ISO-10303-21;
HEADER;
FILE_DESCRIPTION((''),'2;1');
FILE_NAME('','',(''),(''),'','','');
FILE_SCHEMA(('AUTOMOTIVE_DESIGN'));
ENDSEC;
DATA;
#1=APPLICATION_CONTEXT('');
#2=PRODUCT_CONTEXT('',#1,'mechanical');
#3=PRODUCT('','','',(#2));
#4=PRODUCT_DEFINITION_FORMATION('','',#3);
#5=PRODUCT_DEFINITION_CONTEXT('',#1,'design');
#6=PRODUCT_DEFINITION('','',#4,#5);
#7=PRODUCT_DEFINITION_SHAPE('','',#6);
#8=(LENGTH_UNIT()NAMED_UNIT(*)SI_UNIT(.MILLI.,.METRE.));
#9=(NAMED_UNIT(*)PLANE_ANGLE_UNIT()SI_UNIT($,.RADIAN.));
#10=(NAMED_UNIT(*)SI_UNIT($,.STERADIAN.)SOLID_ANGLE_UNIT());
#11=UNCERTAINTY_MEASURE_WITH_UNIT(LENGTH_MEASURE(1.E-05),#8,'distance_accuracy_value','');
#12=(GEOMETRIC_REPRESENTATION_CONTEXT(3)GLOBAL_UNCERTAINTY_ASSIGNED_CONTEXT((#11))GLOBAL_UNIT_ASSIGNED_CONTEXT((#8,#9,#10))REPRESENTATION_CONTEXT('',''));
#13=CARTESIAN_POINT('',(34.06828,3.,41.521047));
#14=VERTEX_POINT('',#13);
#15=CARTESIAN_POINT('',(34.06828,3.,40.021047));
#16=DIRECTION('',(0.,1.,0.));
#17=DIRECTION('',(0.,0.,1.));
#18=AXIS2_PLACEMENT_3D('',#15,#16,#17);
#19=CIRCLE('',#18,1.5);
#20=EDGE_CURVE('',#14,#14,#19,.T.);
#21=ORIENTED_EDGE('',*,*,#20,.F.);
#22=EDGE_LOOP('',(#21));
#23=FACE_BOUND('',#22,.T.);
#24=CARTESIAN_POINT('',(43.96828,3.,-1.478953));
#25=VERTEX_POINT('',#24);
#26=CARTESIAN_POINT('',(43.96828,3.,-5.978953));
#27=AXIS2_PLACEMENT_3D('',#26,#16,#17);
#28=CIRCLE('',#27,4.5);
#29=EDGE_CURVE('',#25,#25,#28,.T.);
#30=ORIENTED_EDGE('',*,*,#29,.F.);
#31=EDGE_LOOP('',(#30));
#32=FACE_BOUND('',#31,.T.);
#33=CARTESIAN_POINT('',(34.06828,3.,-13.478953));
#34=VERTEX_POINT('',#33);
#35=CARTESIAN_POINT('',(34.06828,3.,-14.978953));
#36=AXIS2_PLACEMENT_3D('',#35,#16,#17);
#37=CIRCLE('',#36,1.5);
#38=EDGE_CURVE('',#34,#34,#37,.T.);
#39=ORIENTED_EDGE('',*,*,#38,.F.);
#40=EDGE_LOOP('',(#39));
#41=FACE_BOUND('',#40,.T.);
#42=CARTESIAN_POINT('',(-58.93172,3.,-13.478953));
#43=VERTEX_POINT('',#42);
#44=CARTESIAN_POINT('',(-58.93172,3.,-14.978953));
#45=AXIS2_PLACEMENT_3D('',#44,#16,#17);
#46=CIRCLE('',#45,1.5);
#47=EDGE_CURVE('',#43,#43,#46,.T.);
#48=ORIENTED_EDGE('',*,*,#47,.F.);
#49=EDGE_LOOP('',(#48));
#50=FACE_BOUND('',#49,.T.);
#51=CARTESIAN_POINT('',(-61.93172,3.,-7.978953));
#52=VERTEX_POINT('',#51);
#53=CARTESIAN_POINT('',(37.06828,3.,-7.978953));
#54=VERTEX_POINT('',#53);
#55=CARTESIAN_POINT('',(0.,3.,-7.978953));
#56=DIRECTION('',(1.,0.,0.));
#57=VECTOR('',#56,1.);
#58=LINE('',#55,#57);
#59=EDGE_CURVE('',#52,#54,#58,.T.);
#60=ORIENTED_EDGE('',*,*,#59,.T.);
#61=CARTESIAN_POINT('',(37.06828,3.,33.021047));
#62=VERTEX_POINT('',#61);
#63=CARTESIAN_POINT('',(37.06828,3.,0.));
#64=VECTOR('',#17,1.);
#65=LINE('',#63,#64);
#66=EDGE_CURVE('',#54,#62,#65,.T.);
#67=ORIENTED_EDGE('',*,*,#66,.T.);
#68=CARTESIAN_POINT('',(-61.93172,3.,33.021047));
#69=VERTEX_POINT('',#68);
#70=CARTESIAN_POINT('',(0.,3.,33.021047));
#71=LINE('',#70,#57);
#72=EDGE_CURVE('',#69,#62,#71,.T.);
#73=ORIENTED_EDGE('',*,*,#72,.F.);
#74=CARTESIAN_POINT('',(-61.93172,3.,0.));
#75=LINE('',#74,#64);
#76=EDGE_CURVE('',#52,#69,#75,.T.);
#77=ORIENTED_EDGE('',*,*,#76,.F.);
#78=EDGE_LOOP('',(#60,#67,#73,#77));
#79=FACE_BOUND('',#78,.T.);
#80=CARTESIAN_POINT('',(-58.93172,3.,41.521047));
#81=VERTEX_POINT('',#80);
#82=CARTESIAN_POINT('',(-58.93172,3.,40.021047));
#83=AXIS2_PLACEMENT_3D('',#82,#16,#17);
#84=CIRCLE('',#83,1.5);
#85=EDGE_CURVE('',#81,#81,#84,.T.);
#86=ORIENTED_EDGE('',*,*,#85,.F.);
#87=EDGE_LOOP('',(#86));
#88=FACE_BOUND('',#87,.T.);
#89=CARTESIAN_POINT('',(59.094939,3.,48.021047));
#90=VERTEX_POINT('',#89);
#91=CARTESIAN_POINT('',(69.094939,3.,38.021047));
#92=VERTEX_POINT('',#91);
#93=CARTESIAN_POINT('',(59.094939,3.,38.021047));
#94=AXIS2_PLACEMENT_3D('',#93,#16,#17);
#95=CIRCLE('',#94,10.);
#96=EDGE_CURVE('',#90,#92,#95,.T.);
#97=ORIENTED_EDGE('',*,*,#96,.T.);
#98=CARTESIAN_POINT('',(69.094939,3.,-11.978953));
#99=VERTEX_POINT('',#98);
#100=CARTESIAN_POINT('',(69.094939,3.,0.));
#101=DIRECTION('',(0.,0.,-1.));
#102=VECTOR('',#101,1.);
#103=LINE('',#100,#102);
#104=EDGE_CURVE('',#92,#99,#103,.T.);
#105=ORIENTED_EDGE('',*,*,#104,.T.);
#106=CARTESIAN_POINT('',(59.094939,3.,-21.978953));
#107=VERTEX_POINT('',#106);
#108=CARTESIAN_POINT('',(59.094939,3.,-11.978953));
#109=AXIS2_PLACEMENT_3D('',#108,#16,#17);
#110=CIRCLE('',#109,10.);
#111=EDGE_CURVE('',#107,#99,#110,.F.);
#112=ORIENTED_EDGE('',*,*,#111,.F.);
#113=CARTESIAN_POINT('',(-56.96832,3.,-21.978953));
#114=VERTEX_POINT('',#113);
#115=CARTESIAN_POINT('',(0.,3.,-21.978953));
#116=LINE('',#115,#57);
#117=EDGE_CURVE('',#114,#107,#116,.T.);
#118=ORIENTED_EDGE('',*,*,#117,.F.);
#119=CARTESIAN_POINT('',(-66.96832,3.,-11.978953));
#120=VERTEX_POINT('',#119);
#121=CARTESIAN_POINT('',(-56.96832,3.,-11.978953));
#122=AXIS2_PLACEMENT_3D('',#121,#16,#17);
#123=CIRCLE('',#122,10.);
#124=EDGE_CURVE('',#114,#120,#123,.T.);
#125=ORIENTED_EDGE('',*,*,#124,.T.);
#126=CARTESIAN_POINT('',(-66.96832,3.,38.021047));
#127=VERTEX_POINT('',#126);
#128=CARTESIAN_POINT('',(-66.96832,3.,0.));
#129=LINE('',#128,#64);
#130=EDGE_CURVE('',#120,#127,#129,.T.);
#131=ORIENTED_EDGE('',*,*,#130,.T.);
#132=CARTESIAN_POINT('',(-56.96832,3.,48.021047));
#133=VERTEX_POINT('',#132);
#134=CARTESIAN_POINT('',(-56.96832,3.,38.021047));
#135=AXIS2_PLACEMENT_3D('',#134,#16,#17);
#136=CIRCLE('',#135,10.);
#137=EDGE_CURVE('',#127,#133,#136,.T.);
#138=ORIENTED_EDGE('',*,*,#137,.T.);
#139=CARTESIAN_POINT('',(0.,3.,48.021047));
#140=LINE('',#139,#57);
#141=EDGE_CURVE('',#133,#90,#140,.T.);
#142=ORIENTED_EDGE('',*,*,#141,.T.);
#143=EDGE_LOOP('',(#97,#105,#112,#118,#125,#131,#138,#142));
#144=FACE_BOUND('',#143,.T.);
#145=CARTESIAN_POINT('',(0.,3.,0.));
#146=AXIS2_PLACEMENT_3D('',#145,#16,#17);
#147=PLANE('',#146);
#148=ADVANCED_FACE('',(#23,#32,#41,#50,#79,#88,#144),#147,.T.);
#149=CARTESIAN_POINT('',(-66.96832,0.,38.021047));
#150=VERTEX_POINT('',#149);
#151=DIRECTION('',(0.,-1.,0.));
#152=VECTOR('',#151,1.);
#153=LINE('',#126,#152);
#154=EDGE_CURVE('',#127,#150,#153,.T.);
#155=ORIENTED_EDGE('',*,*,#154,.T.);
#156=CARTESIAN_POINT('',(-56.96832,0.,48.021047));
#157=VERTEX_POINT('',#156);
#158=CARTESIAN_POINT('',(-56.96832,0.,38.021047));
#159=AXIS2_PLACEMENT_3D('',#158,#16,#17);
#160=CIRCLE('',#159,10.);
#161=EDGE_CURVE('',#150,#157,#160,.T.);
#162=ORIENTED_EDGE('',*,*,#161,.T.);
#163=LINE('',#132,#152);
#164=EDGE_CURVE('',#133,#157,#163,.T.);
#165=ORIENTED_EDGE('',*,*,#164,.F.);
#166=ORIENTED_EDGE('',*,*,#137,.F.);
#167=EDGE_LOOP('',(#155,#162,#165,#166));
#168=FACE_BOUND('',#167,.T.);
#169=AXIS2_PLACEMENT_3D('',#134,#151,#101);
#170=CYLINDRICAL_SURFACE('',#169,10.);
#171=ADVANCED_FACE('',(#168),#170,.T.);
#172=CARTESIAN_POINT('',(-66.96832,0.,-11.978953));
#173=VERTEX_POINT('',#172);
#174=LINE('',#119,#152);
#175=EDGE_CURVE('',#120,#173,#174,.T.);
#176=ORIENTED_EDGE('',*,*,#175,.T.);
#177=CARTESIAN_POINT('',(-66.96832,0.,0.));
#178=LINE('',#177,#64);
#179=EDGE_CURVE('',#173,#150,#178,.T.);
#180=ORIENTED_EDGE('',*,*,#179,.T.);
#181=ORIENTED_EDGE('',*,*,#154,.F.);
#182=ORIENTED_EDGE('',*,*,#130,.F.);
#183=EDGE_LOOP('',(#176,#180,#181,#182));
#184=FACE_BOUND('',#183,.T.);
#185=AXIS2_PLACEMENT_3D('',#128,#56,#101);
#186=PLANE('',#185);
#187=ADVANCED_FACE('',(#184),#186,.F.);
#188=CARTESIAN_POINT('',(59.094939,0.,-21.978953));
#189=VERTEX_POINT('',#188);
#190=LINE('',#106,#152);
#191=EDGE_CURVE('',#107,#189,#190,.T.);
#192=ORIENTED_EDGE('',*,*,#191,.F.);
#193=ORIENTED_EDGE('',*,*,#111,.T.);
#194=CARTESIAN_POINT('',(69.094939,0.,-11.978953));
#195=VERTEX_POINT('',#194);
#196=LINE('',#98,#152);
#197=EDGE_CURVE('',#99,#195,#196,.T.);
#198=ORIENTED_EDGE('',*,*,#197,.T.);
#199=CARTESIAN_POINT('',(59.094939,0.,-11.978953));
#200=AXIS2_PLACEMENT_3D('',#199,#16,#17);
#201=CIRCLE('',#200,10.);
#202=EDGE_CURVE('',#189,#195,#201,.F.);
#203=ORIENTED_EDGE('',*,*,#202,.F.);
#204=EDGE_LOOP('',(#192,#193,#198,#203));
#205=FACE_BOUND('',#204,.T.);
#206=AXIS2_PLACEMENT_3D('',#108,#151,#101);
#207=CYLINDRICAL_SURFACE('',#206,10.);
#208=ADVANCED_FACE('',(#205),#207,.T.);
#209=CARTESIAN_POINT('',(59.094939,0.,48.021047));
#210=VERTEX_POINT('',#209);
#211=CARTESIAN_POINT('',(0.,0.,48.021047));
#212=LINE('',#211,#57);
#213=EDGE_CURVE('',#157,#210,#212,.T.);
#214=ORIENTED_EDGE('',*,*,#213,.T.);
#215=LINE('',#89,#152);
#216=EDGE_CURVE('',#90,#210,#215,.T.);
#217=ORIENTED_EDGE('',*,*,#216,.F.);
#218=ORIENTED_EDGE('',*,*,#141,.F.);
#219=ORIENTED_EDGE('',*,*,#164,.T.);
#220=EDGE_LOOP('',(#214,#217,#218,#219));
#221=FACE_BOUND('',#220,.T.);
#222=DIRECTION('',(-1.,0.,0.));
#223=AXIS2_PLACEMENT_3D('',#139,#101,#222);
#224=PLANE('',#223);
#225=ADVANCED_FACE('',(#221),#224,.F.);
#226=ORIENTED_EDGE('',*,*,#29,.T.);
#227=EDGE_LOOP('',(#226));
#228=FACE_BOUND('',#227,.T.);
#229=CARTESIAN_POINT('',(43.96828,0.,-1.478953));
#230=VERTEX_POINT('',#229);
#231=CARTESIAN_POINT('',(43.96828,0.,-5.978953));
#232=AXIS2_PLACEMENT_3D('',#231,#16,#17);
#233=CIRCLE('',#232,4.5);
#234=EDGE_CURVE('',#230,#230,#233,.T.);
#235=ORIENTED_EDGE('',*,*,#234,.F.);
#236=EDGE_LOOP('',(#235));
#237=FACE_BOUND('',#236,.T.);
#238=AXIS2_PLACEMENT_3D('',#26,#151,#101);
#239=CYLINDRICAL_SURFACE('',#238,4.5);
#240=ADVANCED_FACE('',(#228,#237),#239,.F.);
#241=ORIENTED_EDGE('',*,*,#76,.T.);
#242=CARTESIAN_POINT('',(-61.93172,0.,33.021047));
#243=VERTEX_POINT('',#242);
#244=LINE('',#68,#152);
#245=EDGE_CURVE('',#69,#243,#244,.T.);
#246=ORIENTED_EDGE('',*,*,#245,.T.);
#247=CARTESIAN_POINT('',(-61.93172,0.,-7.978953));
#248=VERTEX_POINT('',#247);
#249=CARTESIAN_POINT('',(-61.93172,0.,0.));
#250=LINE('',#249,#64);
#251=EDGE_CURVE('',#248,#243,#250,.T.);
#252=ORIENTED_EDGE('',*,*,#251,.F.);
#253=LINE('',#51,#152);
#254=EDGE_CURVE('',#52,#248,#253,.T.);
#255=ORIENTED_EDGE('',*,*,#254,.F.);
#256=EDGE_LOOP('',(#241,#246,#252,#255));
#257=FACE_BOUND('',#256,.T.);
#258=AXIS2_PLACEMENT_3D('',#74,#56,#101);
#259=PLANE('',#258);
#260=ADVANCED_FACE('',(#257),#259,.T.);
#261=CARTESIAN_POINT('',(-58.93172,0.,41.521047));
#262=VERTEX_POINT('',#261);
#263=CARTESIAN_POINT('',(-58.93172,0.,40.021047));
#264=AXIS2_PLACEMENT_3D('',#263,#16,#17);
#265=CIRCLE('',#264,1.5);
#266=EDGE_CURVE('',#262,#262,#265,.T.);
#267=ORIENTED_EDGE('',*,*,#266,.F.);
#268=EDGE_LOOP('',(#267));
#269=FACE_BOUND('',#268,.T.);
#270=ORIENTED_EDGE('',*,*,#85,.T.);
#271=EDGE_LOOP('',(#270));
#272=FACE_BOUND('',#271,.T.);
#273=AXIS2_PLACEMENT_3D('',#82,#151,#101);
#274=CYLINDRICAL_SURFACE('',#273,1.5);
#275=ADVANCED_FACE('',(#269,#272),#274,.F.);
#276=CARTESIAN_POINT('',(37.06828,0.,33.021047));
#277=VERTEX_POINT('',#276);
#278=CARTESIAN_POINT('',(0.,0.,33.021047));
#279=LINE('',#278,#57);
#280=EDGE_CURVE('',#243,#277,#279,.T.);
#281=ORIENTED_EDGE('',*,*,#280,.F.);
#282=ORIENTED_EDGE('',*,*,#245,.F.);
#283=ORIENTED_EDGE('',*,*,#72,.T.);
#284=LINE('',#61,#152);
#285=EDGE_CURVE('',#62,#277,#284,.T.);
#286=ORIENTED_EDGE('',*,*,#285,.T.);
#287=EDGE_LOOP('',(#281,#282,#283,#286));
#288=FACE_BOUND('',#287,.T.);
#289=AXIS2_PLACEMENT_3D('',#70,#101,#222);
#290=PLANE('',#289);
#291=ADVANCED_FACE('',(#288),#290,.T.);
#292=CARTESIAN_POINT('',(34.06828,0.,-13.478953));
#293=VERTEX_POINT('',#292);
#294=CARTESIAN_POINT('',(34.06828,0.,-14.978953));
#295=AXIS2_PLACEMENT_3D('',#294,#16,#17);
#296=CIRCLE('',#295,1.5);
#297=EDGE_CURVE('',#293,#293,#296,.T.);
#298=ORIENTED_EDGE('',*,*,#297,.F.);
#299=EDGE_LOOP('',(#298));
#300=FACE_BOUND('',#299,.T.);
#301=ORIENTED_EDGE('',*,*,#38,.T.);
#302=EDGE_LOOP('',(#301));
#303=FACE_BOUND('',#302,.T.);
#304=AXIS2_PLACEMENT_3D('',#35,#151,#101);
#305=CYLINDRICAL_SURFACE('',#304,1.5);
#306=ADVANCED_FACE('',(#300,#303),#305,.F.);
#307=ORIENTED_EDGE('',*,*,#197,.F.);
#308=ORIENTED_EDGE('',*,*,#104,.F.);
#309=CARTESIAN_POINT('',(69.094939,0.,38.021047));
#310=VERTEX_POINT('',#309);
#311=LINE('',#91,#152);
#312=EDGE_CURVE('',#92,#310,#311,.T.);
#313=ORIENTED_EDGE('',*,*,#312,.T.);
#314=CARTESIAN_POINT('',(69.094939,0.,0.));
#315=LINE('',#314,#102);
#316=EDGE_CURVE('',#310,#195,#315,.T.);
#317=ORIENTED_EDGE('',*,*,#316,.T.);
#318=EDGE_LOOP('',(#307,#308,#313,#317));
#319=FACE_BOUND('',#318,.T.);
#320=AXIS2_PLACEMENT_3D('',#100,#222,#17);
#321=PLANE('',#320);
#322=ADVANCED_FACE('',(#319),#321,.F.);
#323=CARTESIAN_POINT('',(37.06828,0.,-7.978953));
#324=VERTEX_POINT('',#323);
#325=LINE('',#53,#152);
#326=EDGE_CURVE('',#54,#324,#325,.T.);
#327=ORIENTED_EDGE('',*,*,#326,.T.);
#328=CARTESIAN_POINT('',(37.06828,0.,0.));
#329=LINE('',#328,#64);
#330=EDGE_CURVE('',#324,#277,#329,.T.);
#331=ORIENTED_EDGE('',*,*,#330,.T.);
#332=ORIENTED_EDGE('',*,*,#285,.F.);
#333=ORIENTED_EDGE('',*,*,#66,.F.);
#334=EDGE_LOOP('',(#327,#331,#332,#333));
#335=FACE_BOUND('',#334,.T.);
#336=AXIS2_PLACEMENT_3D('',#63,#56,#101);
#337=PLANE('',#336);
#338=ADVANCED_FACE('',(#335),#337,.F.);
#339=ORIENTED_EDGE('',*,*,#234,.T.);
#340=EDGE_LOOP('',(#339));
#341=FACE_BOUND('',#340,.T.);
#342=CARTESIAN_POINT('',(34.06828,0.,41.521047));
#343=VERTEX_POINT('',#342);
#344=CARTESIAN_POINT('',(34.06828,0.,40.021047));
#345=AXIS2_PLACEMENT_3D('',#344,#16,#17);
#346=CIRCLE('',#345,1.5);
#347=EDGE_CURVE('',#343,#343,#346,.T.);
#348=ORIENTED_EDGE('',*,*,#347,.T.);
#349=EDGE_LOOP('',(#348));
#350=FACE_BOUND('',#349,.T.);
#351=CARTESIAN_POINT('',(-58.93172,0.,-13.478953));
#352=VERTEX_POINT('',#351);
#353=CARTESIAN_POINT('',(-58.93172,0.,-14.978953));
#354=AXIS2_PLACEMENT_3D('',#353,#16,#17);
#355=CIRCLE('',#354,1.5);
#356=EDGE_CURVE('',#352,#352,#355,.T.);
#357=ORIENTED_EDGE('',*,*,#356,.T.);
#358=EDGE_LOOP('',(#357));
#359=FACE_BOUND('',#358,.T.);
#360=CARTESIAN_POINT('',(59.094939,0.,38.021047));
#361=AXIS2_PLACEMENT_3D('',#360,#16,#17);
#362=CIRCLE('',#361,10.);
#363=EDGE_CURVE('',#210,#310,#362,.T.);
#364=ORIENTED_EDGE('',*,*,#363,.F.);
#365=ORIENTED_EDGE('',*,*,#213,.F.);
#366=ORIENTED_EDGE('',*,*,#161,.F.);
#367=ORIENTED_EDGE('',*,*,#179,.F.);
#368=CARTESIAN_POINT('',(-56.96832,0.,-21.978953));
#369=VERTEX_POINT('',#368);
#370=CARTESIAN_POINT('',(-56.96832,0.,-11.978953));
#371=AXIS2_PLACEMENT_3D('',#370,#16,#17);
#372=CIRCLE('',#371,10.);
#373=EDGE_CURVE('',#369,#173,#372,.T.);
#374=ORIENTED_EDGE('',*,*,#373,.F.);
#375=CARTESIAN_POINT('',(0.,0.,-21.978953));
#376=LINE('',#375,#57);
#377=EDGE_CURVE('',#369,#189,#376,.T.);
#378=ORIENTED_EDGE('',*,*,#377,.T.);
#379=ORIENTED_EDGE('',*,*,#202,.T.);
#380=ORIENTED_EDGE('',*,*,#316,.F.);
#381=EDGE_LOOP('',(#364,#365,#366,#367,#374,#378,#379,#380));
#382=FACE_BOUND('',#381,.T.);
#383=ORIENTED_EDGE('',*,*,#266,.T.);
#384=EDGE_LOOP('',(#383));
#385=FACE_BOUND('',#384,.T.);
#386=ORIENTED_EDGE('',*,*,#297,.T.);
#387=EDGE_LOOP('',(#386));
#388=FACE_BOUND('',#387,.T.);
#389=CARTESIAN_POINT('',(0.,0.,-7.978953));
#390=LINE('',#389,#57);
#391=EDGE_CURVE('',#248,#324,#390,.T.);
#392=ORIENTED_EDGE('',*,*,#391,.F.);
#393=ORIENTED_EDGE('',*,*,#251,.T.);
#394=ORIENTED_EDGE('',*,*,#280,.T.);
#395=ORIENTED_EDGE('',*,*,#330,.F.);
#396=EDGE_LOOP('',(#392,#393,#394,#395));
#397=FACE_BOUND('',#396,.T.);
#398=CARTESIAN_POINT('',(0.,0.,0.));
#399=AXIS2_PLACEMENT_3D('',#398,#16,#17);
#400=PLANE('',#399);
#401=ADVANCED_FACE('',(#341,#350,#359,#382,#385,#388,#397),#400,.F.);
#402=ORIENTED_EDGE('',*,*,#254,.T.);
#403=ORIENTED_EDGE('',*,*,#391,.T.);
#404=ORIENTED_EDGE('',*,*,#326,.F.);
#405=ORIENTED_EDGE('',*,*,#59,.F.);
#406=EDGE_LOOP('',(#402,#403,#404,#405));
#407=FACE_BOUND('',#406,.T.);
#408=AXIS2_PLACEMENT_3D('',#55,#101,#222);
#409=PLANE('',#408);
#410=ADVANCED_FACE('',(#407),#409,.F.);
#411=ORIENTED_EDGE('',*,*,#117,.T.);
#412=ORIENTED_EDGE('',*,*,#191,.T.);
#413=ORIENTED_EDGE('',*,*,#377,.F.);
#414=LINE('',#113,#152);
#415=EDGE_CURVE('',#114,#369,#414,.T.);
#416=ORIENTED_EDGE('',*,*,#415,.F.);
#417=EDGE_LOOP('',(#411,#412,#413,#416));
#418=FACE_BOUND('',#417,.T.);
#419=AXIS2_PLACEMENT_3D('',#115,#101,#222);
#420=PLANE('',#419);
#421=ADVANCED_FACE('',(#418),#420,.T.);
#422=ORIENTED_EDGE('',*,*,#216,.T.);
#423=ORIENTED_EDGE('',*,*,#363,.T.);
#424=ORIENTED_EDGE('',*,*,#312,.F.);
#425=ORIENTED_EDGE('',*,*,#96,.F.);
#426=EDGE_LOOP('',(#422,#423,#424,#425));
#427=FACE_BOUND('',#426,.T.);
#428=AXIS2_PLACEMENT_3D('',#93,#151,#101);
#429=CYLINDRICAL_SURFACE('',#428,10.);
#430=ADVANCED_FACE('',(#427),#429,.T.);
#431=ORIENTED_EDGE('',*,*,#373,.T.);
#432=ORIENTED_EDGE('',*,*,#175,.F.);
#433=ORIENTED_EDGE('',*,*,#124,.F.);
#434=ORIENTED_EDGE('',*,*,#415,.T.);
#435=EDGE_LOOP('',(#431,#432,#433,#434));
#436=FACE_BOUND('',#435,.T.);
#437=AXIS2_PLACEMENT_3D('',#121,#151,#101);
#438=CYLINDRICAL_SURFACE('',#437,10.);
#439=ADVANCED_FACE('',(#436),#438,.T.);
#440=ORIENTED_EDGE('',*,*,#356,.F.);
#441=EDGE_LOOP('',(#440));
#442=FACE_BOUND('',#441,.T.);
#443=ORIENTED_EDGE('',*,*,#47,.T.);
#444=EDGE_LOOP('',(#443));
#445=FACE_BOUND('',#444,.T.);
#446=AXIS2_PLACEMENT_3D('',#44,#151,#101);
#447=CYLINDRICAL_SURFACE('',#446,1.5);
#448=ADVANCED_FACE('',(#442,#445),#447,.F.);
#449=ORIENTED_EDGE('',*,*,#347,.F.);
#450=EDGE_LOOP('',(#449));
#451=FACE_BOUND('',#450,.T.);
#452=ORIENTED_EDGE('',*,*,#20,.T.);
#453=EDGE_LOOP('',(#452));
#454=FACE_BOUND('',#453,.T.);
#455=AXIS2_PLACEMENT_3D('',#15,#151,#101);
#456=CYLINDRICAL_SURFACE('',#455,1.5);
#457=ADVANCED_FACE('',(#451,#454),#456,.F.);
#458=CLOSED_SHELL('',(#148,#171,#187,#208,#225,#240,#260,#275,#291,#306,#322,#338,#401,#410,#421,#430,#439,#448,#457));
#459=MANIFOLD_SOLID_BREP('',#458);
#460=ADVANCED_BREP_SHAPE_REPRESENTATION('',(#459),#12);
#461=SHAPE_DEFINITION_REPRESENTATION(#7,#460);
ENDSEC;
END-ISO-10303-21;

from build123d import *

# Parameters (mm, degrees)
SKETCH1_R           = 1.5
SKETCH1_R_2         = 4.5
SKETCH1_W           = 99
SKETCH1_H           = 41
BOSS_EXTRUDE1_DEPTH = 3


with BuildPart() as part:
    # Sketch1 → Boss-Extrude1 (new body)
    with BuildSketch(Plane(origin=(0, 0, 0), x_dir=(1, 0, 0), z_dir=(0, 1, 0))):
        with BuildLine():
            Line((69.094938721, -38.021047238), (69.094938721, 11.978952762))
            ThreePointArc((69.094938721, 11.978952762), (66.166006532, 19.050020574), (59.094938721, 21.978952762))
            Line((59.094938721, 21.978952762), (-56.968320128, 21.978952762))
            ThreePointArc((-56.968320128, 21.978952762), (-64.039387939, 19.050020574), (-66.968320128, 11.978952762))
            Line((-66.968320128, 11.978952762), (-66.968320128, -38.021047238))
            ThreePointArc((-66.968320128, -38.021047238), (-64.039387939, -45.09211505), (-56.968320128, -48.021047238))
            Line((-56.968320128, -48.021047238), (59.094938721, -48.021047238))
            ThreePointArc((59.094938721, -48.021047238), (66.166006532, -45.09211505), (69.094938721, -38.021047238))
        make_face()
        with Locations((-58.93171984, 14.978952762)):
            Circle(SKETCH1_R, mode=Mode.SUBTRACT)
        with Locations((34.06828016, 14.978952762)):
            Circle(SKETCH1_R, mode=Mode.SUBTRACT)
        with Locations((-58.93171984, -40.021047238)):
            Circle(SKETCH1_R, mode=Mode.SUBTRACT)
        with Locations((34.06828016, -40.021047238)):
            Circle(SKETCH1_R, mode=Mode.SUBTRACT)
        with Locations((43.96828016, 5.978952762)):
            Circle(SKETCH1_R_2, mode=Mode.SUBTRACT)
        with Locations((-12.43171984, -12.521047238)):
            Rectangle(SKETCH1_W, SKETCH1_H, mode=Mode.SUBTRACT)
    extrude(amount=BOSS_EXTRUDE1_DEPTH)


solid = part.part
